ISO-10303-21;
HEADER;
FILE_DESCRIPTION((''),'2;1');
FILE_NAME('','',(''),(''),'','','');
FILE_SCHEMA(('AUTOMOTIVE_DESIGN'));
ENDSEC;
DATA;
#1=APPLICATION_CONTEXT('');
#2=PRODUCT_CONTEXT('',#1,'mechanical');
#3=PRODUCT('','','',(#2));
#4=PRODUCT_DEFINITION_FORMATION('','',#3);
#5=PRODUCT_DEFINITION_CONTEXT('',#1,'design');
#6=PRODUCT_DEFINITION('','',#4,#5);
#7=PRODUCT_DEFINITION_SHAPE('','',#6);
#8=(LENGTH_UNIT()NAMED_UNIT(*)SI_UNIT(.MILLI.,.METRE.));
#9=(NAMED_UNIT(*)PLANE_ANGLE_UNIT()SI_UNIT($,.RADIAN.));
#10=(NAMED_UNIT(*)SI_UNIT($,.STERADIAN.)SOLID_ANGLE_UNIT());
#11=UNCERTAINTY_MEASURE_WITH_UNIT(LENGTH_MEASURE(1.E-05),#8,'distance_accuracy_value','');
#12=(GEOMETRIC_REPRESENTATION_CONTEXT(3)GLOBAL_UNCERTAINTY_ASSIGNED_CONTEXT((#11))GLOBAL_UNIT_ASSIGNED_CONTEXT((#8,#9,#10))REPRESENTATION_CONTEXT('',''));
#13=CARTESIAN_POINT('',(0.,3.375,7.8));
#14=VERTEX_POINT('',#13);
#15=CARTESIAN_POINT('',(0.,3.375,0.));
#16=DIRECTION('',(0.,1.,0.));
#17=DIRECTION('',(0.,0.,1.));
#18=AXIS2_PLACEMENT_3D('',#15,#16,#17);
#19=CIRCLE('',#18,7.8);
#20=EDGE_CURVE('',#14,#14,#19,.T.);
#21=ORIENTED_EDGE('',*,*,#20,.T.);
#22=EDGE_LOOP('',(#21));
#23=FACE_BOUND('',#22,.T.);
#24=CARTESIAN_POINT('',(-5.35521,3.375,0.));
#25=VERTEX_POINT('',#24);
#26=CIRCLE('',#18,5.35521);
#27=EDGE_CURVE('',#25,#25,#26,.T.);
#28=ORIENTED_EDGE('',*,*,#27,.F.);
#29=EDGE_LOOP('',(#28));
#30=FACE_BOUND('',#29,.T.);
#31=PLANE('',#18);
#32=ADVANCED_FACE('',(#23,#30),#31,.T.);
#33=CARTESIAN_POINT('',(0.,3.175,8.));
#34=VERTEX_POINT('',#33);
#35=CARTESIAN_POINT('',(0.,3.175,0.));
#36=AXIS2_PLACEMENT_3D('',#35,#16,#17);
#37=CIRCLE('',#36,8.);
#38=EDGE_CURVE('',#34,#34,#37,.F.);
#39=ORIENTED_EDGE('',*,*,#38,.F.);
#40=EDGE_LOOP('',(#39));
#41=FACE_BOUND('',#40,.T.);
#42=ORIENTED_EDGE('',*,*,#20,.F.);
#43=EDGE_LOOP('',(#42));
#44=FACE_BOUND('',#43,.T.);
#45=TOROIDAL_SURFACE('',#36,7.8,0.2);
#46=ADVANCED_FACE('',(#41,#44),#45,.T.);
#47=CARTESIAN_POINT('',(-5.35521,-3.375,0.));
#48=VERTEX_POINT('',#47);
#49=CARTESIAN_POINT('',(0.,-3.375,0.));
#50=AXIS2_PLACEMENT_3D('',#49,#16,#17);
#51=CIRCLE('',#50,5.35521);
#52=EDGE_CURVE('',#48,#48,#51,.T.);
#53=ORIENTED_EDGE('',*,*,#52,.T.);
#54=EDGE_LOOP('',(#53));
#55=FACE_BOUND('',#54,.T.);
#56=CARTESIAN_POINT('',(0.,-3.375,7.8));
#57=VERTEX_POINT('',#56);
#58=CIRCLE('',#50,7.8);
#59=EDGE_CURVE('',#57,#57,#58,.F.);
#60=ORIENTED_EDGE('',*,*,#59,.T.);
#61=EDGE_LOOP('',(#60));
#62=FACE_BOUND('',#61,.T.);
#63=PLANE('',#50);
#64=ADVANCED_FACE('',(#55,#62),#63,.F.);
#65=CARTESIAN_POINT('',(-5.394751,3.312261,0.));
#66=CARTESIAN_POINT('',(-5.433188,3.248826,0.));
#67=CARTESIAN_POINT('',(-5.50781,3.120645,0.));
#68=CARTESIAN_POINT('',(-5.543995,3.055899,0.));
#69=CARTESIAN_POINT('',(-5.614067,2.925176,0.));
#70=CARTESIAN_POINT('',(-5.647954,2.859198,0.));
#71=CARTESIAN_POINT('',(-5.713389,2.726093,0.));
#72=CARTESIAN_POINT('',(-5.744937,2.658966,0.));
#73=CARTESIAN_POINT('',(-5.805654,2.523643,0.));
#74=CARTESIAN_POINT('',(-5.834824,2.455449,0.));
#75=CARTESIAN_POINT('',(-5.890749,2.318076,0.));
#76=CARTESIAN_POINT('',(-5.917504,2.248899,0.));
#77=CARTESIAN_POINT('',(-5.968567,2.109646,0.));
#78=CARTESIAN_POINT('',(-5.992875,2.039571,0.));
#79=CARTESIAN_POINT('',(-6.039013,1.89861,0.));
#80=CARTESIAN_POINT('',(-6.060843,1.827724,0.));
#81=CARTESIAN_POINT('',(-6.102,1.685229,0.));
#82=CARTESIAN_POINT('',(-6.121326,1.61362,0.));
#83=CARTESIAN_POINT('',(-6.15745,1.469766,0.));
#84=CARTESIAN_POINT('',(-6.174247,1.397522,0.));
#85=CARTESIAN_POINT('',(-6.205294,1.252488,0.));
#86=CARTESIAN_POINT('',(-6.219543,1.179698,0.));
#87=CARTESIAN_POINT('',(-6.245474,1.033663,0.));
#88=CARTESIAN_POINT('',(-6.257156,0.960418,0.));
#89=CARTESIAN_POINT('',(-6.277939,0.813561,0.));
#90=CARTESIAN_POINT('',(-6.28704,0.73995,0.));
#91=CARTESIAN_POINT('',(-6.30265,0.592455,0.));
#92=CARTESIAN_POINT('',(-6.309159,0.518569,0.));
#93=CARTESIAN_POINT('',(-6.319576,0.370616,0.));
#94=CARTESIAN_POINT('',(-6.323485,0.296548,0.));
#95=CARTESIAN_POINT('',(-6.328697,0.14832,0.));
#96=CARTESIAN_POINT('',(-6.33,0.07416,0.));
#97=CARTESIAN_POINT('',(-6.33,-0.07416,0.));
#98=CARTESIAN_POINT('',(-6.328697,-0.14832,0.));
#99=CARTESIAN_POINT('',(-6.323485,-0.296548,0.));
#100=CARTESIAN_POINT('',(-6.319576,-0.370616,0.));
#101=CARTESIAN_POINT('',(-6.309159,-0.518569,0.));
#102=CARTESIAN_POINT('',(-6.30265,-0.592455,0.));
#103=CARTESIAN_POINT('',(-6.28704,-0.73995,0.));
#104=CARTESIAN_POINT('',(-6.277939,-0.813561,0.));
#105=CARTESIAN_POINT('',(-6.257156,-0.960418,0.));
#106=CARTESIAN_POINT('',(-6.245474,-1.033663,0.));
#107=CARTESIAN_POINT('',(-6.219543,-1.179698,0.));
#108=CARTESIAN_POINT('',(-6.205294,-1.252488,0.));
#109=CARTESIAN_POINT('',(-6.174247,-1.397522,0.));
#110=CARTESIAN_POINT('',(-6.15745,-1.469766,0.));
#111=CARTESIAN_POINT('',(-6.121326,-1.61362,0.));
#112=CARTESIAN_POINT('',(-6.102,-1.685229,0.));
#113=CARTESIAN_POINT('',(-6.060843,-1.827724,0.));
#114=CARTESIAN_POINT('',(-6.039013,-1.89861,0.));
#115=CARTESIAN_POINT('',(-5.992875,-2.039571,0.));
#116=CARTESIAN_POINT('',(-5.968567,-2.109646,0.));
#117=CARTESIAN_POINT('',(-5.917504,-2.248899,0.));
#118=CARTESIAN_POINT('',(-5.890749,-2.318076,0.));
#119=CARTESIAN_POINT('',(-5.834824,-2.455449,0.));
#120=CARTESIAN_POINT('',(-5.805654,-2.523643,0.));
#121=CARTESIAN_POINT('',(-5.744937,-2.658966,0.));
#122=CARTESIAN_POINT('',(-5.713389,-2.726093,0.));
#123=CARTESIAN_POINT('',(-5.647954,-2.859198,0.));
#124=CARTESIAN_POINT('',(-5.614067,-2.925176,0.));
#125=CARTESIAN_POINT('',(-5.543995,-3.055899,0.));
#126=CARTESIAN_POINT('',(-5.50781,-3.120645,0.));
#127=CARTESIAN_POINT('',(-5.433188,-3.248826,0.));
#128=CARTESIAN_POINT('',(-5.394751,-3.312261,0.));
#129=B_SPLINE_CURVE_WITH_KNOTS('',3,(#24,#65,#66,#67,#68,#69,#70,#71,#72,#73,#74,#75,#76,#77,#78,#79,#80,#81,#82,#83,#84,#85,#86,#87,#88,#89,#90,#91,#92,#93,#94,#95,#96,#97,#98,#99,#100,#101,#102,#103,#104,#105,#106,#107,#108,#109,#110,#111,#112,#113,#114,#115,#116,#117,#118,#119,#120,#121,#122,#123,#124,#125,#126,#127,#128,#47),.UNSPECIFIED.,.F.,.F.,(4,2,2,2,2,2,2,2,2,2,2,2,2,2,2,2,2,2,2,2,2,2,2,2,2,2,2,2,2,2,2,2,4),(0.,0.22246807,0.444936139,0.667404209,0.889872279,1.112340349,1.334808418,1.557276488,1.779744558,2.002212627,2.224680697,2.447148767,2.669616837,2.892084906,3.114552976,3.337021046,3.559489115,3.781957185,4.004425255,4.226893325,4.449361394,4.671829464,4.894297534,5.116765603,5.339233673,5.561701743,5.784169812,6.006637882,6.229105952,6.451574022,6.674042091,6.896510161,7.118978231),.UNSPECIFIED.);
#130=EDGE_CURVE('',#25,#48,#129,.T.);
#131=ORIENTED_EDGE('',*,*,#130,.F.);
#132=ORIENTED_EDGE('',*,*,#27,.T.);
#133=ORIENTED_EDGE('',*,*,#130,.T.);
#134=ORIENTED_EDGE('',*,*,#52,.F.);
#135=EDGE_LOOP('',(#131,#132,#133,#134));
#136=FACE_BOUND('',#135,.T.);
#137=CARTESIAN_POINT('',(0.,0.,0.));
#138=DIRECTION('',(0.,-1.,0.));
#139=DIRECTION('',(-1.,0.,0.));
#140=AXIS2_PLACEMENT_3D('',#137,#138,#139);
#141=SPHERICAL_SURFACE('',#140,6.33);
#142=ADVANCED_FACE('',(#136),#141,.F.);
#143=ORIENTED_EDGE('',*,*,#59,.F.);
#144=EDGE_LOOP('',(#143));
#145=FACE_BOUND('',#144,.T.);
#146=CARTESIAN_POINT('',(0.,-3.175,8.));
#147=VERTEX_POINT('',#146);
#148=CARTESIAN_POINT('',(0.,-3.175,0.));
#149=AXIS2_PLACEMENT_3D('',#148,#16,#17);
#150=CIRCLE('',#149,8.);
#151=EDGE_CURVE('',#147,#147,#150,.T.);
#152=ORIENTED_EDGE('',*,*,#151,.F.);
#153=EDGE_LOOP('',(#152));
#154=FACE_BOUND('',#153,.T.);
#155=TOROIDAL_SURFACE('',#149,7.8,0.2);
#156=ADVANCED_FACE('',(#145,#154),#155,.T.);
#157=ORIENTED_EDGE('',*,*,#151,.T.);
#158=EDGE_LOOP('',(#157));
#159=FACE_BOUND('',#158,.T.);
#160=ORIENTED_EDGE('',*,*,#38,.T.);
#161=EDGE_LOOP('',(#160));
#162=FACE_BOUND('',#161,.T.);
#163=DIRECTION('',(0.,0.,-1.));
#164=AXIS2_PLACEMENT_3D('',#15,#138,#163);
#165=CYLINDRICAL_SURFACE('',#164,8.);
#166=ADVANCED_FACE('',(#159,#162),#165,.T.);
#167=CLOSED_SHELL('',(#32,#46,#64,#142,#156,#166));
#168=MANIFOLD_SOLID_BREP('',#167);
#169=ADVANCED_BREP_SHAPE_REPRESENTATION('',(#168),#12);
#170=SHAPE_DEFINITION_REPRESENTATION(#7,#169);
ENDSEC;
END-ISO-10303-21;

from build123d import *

# Parameters (mm, degrees)
SZKIC1_R                    = 8
DODANIE_WYCI_GNI_CIE1_DEPTH = 3.375
ZAOKR_GLENIE1_R             = 0.2


with BuildPart() as part:
    # Szkic1 → Dodanie-wyciągnięcie1 (new, symmetric)
    with BuildSketch(Plane(origin=(0, 0, 0), x_dir=(1, 0, 0), z_dir=(0, 1, 0))):
        with Locations(Location((0, 0, 0), (0, 0, 270))):
            Circle(SZKIC1_R)
    extrude(amount=DODANIE_WYCI_GNI_CIE1_DEPTH, both=True)

    # Szkic3 → Wycięcie-obrót1 (revolve, cut)
    with BuildSketch(Plane.XY):
        with BuildLine():
            Line((0, -6.33), (0, 6.33))
            ThreePointArc((0, 6.33), (6.33, 0), (0, -6.33))
        make_face()
    revolve(axis=Axis((0, -6.33, 0), (0, 1, 0)), mode=Mode.SUBTRACT)

    # Zaokrąglenie1
    zaokr_glenie1_edges = [part.edges().sort_by_distance(p)[0] for p in [
        (0, -3.375, -8),
        (0, 3.375, -8),
    ]]
    fillet(zaokr_glenie1_edges, radius=ZAOKR_GLENIE1_R)


solid = part.part
